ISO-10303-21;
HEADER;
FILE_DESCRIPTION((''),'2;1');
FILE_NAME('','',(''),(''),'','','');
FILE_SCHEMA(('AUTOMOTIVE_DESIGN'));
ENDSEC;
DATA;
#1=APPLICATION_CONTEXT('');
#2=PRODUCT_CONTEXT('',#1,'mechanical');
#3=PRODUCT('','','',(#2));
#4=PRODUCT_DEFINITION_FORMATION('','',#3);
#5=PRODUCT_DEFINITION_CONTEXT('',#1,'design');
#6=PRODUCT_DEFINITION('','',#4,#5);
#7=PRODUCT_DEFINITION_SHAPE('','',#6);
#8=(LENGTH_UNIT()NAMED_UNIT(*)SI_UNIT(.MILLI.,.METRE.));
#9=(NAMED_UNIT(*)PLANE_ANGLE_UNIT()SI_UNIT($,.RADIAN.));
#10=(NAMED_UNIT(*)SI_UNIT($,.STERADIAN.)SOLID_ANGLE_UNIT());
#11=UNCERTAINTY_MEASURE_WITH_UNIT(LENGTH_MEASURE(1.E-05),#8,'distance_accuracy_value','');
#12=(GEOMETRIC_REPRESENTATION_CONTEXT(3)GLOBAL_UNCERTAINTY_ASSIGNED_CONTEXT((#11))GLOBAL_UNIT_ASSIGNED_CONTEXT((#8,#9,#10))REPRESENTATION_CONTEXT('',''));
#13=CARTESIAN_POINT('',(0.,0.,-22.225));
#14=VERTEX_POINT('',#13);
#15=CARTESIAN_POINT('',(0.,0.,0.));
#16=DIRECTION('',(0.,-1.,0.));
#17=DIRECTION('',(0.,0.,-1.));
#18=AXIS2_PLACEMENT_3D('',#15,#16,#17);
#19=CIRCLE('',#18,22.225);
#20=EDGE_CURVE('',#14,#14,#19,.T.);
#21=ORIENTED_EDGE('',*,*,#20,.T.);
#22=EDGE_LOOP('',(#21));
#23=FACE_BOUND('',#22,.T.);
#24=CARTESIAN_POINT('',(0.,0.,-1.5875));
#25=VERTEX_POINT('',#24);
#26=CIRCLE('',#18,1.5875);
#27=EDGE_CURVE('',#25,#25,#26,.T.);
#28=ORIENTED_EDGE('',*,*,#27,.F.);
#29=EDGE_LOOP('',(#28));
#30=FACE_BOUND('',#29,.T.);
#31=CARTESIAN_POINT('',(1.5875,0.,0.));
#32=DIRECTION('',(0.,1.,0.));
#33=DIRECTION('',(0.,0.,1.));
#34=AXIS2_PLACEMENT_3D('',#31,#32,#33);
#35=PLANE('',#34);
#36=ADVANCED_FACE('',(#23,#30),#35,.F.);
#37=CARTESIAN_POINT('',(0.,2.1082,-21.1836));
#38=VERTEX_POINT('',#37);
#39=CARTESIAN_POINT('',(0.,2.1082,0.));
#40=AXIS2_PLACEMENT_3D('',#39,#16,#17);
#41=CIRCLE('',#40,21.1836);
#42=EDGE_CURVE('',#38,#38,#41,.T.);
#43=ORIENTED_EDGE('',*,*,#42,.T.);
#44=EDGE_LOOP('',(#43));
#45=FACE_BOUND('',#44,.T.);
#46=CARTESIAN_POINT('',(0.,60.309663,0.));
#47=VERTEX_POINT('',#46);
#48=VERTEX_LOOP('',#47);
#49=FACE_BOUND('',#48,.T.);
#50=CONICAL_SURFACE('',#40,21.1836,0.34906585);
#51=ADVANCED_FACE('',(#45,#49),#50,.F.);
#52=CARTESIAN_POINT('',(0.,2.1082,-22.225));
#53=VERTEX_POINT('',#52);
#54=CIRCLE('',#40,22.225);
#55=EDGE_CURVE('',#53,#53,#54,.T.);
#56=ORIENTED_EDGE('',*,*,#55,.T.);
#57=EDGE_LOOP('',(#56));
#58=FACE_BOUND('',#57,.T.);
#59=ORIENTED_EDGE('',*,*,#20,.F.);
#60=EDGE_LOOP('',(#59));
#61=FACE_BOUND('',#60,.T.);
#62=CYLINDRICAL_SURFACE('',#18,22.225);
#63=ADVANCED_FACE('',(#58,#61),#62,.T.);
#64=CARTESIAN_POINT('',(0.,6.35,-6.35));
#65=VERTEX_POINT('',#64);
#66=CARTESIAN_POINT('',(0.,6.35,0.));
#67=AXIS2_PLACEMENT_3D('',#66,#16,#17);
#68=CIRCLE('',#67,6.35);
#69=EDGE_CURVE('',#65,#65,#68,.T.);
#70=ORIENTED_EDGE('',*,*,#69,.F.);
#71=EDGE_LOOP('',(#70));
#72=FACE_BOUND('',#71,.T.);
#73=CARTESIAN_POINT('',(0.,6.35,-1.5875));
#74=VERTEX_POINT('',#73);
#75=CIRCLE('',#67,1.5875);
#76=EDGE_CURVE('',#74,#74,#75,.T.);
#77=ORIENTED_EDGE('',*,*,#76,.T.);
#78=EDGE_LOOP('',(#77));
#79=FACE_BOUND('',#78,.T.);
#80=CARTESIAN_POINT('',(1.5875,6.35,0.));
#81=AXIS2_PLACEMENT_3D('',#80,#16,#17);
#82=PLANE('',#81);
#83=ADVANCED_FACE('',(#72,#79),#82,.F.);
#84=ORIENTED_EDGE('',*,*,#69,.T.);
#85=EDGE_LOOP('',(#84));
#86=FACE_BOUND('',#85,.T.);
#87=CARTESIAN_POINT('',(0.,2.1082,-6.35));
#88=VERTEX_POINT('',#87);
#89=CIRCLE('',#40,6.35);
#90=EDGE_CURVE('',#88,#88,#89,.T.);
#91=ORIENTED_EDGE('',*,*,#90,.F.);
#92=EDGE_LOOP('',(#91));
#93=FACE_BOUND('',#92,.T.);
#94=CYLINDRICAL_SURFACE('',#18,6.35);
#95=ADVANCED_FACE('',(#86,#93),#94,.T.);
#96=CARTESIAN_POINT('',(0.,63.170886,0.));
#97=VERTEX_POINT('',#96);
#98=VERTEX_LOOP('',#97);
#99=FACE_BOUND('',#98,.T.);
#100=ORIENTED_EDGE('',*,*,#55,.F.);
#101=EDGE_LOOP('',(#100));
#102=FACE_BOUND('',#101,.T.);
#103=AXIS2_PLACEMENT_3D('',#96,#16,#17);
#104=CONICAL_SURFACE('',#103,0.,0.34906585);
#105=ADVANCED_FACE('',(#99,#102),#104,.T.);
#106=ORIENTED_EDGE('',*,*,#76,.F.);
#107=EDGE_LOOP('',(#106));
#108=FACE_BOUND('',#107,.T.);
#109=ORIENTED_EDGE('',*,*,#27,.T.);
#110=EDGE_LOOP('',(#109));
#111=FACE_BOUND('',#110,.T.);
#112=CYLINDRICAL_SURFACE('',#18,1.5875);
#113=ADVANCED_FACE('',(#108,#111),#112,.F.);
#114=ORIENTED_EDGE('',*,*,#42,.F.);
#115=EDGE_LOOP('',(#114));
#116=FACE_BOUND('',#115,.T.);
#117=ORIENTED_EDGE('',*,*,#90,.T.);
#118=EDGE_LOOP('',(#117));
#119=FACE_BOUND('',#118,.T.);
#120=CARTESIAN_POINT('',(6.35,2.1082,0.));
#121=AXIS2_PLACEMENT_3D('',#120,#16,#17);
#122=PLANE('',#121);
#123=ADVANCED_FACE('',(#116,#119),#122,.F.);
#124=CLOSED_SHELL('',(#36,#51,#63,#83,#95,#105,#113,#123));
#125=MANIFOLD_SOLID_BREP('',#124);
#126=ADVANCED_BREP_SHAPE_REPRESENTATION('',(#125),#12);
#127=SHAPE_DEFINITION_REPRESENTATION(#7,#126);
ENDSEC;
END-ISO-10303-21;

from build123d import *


with BuildPart() as part:
    # Sketch1 → Revolve1 (revolve)
    with BuildSketch(Plane.XY):
        Polygon((-1.5875, 0), (-22.225, 0), (-22.225, 2.1082), (0, 63.170885647), (0, 60.309662663), (-21.1836, 2.1082), (-6.35, 2.1082), (-6.35, 6.35), (-1.5875, 6.35), (-1.5875, 2.1082), align=None)
    revolve(axis=Axis((0, 0, 0), (0, 1, 0)))


solid = part.part
